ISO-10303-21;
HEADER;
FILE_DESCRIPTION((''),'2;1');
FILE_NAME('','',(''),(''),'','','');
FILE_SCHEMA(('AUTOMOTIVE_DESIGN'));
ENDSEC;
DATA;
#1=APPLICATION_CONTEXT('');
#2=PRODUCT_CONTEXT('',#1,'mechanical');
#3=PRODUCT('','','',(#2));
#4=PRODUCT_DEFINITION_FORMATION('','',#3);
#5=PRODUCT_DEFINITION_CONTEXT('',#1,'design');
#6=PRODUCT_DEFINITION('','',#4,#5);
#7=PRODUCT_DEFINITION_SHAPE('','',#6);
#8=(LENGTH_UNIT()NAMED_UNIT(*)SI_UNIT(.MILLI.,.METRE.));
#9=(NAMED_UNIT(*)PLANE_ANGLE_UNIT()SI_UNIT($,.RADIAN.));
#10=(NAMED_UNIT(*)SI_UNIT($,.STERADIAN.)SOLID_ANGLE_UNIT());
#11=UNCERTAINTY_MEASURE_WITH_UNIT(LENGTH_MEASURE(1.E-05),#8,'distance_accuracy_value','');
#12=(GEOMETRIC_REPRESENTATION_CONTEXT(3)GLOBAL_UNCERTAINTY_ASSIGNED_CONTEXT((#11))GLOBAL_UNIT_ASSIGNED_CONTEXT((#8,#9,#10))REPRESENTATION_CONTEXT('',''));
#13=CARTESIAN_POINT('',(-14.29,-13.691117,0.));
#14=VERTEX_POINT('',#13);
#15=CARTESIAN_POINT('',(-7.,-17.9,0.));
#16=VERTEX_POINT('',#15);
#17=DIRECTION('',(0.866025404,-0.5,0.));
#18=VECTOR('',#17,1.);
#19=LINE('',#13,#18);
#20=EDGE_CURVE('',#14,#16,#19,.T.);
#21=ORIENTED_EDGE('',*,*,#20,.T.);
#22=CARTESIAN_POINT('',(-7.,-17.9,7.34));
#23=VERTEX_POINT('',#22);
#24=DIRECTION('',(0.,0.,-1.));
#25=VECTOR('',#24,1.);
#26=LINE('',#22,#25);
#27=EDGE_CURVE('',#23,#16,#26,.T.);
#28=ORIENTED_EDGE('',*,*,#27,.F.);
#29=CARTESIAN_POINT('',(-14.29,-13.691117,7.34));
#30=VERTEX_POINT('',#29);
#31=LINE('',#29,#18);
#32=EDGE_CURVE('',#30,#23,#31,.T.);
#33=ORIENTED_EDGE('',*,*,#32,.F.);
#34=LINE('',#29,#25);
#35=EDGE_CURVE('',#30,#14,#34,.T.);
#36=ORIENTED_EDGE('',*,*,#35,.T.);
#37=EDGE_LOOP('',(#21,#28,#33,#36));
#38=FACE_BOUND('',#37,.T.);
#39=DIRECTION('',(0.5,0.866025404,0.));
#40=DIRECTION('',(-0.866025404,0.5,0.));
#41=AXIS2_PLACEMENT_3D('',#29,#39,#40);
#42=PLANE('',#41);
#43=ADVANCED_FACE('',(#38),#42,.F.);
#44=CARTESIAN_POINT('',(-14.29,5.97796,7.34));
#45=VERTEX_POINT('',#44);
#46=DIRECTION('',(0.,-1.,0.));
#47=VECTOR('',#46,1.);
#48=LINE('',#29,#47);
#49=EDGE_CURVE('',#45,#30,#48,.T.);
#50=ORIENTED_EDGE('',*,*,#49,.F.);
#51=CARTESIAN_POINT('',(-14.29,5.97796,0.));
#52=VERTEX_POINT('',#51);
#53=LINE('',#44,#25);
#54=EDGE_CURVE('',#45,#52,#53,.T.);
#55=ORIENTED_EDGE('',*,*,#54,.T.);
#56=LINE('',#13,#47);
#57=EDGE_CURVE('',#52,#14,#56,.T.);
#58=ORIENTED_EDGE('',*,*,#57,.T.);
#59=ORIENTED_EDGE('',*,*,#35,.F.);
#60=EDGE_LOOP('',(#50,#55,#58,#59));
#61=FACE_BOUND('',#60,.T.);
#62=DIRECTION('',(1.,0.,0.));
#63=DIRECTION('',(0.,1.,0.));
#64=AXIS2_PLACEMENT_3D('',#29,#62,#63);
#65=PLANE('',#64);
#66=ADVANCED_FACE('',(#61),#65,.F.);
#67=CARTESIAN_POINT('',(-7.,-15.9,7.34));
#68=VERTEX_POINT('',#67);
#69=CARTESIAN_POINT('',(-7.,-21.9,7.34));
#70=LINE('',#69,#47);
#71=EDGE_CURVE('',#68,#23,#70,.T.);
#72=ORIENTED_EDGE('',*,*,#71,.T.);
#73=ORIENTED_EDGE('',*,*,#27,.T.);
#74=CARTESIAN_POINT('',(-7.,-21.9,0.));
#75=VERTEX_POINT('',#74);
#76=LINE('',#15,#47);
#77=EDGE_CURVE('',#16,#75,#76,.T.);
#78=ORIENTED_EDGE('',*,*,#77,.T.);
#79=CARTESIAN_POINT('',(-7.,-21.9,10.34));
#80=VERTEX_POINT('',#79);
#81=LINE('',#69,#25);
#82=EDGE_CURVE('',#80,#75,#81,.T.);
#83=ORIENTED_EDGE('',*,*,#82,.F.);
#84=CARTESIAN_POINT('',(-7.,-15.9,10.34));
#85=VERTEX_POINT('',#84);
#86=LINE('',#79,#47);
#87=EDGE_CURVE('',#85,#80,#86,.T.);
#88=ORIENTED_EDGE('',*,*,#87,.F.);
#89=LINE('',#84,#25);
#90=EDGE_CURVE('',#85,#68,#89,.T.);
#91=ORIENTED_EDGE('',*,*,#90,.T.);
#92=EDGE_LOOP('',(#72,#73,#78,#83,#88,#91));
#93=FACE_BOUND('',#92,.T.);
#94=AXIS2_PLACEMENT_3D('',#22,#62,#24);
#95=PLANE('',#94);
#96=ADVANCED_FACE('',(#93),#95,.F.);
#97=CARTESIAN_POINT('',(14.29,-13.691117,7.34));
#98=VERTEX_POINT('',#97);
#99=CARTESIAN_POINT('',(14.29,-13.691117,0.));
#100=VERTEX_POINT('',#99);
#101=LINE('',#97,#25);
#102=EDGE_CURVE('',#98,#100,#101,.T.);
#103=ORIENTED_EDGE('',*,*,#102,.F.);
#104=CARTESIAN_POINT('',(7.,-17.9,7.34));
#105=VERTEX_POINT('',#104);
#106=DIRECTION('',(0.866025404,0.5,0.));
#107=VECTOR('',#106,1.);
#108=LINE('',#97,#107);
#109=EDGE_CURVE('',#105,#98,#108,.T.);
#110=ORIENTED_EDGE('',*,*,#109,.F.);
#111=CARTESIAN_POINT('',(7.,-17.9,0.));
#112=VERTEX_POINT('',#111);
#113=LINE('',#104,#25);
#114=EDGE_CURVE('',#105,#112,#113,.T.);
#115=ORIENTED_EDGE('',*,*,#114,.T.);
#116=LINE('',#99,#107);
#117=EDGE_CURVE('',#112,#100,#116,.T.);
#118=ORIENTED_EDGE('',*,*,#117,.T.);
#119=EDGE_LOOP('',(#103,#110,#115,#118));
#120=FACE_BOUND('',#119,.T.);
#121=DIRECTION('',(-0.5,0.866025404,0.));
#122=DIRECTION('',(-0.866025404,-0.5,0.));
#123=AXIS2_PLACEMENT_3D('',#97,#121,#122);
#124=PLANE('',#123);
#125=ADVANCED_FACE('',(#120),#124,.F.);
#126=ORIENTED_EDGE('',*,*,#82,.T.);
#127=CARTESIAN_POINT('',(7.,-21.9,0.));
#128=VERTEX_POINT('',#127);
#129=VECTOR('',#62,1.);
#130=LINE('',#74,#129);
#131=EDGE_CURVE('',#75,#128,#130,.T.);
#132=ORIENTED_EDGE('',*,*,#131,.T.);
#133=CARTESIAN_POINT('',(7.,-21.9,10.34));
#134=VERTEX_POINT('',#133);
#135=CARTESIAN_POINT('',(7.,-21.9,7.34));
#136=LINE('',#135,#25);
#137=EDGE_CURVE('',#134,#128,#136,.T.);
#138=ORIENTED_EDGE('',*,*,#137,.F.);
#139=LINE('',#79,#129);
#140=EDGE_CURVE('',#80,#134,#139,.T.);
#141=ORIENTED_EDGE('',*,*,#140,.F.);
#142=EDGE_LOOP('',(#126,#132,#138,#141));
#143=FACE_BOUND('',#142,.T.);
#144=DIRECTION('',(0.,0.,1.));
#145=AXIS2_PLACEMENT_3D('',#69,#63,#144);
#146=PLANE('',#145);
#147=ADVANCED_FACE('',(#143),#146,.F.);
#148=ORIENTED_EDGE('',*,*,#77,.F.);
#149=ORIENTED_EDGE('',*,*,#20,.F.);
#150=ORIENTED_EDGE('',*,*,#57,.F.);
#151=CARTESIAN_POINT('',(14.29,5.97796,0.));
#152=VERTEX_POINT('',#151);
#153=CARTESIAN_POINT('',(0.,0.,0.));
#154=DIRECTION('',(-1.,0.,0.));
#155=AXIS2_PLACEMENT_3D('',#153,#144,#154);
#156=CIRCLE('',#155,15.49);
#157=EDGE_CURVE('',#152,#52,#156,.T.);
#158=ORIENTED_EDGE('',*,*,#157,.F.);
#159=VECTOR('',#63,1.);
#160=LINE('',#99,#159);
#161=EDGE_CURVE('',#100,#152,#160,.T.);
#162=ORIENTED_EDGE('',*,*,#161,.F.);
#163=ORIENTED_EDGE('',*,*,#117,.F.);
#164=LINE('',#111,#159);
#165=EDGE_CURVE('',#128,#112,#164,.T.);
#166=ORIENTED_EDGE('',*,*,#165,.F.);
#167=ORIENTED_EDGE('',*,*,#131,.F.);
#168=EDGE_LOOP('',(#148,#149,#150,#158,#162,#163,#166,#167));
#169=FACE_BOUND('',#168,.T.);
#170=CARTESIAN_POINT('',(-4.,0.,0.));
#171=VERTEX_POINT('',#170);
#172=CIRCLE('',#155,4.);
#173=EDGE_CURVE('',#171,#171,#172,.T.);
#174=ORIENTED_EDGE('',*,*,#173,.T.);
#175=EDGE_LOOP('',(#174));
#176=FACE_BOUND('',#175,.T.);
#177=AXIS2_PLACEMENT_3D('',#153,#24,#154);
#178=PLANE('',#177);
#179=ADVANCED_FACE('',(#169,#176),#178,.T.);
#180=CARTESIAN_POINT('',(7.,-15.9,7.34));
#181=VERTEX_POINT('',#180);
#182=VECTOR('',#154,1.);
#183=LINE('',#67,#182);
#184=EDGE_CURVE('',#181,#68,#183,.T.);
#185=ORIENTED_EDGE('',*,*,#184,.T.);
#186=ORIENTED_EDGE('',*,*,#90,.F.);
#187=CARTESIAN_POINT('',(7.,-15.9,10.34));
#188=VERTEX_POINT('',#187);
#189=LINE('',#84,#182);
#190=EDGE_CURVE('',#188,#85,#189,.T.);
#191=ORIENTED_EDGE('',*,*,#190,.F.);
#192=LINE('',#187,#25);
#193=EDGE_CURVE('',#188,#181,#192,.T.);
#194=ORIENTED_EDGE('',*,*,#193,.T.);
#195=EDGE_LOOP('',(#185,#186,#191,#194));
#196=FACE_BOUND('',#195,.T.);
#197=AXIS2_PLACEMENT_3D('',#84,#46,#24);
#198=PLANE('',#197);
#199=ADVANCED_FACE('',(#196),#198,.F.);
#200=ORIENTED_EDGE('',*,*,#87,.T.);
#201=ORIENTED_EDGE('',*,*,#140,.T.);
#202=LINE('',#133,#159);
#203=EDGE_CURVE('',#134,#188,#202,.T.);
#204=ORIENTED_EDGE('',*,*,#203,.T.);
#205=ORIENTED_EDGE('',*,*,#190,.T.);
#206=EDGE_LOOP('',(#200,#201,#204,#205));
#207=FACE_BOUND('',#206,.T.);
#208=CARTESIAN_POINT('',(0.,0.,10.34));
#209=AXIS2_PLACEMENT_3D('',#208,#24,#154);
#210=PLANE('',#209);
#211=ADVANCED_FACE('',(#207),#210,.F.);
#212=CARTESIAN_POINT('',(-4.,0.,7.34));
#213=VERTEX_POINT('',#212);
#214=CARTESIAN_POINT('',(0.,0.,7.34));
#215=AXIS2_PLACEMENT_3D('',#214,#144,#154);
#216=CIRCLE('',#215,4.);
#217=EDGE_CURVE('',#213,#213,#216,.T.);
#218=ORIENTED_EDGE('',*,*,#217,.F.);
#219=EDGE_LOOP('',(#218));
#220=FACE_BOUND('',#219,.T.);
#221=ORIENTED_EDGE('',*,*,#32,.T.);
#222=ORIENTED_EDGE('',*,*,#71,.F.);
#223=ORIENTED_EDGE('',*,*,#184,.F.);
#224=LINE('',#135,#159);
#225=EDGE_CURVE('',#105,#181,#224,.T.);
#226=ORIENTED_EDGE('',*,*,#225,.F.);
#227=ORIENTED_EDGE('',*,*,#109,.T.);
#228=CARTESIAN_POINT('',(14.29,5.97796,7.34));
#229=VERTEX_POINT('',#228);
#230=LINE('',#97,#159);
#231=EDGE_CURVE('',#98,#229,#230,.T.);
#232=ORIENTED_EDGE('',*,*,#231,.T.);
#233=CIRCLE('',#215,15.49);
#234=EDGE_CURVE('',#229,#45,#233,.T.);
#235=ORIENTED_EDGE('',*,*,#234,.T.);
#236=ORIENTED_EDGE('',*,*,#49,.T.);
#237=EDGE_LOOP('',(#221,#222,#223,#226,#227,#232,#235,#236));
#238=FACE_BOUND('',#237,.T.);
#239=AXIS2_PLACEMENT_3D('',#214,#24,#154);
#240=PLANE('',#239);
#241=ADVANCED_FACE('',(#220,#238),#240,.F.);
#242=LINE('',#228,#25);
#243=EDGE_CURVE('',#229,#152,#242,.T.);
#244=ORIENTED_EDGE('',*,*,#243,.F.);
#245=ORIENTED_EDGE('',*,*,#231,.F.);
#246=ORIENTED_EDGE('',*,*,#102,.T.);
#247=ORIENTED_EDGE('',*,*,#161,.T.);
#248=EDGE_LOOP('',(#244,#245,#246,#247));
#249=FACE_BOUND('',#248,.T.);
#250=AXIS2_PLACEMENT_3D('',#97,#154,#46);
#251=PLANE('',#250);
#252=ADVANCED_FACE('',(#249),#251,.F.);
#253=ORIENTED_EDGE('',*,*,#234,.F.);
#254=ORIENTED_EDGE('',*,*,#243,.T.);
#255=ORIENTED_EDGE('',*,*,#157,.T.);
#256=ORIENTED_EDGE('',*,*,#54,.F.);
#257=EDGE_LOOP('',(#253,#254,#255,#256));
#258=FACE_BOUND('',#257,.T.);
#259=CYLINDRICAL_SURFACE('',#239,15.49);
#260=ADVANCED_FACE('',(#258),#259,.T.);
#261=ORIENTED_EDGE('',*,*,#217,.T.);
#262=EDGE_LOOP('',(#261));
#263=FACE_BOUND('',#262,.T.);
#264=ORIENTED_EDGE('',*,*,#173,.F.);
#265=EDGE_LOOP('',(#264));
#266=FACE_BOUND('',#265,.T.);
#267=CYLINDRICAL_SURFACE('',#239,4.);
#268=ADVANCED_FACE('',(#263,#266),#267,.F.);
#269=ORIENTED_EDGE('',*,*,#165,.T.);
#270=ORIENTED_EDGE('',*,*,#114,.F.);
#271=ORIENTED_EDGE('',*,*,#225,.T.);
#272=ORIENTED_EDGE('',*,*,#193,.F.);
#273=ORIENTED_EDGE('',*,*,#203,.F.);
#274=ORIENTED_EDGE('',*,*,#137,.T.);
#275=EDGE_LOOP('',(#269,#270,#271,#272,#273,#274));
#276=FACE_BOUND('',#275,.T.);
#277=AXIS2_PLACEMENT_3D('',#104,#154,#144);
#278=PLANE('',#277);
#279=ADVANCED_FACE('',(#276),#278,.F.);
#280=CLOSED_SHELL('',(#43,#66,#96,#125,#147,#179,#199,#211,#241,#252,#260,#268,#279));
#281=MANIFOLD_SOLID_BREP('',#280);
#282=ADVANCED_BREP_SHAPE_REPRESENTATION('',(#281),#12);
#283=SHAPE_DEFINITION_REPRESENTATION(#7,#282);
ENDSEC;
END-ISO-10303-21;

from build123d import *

# Parameters (mm, degrees)
ESQUISSE1_R        = 4
BOSS_EXTRU_1_DEPTH = 7.34
ESQUISSE2_W        = 14
ESQUISSE2_H        = 6
BOSS_EXTRU_2_DEPTH = 3


with BuildPart() as part:
    # Esquisse1 → Boss.-Extru.1 (new body)
    with BuildSketch(Plane.XY):
        with BuildLine():
            Line((-14.29, -13.691116538), (-14.29, 5.977959518))
            ThreePointArc((-14.29, 5.977959518), (0, 15.49), (14.29, 5.977959518))
            Line((14.29, 5.977959518), (14.29, -13.691116538))
            Line((14.29, -13.691116538), (7, -17.9))
            Line((7, -17.9), (7, -21.9))
            Line((7, -21.9), (-7, -21.9))
            Line((-7, -21.9), (-7, -17.9))
            Line((-7, -17.9), (-14.29, -13.691116538))
        make_face()
        Circle(ESQUISSE1_R, mode=Mode.SUBTRACT)
    extrude(amount=BOSS_EXTRU_1_DEPTH)

    # Esquisse2 → Boss.-Extru.2 (add)
    with BuildSketch(Plane.XY.offset(7.34)):
        with Locations((0, -18.9)):
            Rectangle(ESQUISSE2_W, ESQUISSE2_H)
    extrude(amount=BOSS_EXTRU_2_DEPTH)


solid = part.part
